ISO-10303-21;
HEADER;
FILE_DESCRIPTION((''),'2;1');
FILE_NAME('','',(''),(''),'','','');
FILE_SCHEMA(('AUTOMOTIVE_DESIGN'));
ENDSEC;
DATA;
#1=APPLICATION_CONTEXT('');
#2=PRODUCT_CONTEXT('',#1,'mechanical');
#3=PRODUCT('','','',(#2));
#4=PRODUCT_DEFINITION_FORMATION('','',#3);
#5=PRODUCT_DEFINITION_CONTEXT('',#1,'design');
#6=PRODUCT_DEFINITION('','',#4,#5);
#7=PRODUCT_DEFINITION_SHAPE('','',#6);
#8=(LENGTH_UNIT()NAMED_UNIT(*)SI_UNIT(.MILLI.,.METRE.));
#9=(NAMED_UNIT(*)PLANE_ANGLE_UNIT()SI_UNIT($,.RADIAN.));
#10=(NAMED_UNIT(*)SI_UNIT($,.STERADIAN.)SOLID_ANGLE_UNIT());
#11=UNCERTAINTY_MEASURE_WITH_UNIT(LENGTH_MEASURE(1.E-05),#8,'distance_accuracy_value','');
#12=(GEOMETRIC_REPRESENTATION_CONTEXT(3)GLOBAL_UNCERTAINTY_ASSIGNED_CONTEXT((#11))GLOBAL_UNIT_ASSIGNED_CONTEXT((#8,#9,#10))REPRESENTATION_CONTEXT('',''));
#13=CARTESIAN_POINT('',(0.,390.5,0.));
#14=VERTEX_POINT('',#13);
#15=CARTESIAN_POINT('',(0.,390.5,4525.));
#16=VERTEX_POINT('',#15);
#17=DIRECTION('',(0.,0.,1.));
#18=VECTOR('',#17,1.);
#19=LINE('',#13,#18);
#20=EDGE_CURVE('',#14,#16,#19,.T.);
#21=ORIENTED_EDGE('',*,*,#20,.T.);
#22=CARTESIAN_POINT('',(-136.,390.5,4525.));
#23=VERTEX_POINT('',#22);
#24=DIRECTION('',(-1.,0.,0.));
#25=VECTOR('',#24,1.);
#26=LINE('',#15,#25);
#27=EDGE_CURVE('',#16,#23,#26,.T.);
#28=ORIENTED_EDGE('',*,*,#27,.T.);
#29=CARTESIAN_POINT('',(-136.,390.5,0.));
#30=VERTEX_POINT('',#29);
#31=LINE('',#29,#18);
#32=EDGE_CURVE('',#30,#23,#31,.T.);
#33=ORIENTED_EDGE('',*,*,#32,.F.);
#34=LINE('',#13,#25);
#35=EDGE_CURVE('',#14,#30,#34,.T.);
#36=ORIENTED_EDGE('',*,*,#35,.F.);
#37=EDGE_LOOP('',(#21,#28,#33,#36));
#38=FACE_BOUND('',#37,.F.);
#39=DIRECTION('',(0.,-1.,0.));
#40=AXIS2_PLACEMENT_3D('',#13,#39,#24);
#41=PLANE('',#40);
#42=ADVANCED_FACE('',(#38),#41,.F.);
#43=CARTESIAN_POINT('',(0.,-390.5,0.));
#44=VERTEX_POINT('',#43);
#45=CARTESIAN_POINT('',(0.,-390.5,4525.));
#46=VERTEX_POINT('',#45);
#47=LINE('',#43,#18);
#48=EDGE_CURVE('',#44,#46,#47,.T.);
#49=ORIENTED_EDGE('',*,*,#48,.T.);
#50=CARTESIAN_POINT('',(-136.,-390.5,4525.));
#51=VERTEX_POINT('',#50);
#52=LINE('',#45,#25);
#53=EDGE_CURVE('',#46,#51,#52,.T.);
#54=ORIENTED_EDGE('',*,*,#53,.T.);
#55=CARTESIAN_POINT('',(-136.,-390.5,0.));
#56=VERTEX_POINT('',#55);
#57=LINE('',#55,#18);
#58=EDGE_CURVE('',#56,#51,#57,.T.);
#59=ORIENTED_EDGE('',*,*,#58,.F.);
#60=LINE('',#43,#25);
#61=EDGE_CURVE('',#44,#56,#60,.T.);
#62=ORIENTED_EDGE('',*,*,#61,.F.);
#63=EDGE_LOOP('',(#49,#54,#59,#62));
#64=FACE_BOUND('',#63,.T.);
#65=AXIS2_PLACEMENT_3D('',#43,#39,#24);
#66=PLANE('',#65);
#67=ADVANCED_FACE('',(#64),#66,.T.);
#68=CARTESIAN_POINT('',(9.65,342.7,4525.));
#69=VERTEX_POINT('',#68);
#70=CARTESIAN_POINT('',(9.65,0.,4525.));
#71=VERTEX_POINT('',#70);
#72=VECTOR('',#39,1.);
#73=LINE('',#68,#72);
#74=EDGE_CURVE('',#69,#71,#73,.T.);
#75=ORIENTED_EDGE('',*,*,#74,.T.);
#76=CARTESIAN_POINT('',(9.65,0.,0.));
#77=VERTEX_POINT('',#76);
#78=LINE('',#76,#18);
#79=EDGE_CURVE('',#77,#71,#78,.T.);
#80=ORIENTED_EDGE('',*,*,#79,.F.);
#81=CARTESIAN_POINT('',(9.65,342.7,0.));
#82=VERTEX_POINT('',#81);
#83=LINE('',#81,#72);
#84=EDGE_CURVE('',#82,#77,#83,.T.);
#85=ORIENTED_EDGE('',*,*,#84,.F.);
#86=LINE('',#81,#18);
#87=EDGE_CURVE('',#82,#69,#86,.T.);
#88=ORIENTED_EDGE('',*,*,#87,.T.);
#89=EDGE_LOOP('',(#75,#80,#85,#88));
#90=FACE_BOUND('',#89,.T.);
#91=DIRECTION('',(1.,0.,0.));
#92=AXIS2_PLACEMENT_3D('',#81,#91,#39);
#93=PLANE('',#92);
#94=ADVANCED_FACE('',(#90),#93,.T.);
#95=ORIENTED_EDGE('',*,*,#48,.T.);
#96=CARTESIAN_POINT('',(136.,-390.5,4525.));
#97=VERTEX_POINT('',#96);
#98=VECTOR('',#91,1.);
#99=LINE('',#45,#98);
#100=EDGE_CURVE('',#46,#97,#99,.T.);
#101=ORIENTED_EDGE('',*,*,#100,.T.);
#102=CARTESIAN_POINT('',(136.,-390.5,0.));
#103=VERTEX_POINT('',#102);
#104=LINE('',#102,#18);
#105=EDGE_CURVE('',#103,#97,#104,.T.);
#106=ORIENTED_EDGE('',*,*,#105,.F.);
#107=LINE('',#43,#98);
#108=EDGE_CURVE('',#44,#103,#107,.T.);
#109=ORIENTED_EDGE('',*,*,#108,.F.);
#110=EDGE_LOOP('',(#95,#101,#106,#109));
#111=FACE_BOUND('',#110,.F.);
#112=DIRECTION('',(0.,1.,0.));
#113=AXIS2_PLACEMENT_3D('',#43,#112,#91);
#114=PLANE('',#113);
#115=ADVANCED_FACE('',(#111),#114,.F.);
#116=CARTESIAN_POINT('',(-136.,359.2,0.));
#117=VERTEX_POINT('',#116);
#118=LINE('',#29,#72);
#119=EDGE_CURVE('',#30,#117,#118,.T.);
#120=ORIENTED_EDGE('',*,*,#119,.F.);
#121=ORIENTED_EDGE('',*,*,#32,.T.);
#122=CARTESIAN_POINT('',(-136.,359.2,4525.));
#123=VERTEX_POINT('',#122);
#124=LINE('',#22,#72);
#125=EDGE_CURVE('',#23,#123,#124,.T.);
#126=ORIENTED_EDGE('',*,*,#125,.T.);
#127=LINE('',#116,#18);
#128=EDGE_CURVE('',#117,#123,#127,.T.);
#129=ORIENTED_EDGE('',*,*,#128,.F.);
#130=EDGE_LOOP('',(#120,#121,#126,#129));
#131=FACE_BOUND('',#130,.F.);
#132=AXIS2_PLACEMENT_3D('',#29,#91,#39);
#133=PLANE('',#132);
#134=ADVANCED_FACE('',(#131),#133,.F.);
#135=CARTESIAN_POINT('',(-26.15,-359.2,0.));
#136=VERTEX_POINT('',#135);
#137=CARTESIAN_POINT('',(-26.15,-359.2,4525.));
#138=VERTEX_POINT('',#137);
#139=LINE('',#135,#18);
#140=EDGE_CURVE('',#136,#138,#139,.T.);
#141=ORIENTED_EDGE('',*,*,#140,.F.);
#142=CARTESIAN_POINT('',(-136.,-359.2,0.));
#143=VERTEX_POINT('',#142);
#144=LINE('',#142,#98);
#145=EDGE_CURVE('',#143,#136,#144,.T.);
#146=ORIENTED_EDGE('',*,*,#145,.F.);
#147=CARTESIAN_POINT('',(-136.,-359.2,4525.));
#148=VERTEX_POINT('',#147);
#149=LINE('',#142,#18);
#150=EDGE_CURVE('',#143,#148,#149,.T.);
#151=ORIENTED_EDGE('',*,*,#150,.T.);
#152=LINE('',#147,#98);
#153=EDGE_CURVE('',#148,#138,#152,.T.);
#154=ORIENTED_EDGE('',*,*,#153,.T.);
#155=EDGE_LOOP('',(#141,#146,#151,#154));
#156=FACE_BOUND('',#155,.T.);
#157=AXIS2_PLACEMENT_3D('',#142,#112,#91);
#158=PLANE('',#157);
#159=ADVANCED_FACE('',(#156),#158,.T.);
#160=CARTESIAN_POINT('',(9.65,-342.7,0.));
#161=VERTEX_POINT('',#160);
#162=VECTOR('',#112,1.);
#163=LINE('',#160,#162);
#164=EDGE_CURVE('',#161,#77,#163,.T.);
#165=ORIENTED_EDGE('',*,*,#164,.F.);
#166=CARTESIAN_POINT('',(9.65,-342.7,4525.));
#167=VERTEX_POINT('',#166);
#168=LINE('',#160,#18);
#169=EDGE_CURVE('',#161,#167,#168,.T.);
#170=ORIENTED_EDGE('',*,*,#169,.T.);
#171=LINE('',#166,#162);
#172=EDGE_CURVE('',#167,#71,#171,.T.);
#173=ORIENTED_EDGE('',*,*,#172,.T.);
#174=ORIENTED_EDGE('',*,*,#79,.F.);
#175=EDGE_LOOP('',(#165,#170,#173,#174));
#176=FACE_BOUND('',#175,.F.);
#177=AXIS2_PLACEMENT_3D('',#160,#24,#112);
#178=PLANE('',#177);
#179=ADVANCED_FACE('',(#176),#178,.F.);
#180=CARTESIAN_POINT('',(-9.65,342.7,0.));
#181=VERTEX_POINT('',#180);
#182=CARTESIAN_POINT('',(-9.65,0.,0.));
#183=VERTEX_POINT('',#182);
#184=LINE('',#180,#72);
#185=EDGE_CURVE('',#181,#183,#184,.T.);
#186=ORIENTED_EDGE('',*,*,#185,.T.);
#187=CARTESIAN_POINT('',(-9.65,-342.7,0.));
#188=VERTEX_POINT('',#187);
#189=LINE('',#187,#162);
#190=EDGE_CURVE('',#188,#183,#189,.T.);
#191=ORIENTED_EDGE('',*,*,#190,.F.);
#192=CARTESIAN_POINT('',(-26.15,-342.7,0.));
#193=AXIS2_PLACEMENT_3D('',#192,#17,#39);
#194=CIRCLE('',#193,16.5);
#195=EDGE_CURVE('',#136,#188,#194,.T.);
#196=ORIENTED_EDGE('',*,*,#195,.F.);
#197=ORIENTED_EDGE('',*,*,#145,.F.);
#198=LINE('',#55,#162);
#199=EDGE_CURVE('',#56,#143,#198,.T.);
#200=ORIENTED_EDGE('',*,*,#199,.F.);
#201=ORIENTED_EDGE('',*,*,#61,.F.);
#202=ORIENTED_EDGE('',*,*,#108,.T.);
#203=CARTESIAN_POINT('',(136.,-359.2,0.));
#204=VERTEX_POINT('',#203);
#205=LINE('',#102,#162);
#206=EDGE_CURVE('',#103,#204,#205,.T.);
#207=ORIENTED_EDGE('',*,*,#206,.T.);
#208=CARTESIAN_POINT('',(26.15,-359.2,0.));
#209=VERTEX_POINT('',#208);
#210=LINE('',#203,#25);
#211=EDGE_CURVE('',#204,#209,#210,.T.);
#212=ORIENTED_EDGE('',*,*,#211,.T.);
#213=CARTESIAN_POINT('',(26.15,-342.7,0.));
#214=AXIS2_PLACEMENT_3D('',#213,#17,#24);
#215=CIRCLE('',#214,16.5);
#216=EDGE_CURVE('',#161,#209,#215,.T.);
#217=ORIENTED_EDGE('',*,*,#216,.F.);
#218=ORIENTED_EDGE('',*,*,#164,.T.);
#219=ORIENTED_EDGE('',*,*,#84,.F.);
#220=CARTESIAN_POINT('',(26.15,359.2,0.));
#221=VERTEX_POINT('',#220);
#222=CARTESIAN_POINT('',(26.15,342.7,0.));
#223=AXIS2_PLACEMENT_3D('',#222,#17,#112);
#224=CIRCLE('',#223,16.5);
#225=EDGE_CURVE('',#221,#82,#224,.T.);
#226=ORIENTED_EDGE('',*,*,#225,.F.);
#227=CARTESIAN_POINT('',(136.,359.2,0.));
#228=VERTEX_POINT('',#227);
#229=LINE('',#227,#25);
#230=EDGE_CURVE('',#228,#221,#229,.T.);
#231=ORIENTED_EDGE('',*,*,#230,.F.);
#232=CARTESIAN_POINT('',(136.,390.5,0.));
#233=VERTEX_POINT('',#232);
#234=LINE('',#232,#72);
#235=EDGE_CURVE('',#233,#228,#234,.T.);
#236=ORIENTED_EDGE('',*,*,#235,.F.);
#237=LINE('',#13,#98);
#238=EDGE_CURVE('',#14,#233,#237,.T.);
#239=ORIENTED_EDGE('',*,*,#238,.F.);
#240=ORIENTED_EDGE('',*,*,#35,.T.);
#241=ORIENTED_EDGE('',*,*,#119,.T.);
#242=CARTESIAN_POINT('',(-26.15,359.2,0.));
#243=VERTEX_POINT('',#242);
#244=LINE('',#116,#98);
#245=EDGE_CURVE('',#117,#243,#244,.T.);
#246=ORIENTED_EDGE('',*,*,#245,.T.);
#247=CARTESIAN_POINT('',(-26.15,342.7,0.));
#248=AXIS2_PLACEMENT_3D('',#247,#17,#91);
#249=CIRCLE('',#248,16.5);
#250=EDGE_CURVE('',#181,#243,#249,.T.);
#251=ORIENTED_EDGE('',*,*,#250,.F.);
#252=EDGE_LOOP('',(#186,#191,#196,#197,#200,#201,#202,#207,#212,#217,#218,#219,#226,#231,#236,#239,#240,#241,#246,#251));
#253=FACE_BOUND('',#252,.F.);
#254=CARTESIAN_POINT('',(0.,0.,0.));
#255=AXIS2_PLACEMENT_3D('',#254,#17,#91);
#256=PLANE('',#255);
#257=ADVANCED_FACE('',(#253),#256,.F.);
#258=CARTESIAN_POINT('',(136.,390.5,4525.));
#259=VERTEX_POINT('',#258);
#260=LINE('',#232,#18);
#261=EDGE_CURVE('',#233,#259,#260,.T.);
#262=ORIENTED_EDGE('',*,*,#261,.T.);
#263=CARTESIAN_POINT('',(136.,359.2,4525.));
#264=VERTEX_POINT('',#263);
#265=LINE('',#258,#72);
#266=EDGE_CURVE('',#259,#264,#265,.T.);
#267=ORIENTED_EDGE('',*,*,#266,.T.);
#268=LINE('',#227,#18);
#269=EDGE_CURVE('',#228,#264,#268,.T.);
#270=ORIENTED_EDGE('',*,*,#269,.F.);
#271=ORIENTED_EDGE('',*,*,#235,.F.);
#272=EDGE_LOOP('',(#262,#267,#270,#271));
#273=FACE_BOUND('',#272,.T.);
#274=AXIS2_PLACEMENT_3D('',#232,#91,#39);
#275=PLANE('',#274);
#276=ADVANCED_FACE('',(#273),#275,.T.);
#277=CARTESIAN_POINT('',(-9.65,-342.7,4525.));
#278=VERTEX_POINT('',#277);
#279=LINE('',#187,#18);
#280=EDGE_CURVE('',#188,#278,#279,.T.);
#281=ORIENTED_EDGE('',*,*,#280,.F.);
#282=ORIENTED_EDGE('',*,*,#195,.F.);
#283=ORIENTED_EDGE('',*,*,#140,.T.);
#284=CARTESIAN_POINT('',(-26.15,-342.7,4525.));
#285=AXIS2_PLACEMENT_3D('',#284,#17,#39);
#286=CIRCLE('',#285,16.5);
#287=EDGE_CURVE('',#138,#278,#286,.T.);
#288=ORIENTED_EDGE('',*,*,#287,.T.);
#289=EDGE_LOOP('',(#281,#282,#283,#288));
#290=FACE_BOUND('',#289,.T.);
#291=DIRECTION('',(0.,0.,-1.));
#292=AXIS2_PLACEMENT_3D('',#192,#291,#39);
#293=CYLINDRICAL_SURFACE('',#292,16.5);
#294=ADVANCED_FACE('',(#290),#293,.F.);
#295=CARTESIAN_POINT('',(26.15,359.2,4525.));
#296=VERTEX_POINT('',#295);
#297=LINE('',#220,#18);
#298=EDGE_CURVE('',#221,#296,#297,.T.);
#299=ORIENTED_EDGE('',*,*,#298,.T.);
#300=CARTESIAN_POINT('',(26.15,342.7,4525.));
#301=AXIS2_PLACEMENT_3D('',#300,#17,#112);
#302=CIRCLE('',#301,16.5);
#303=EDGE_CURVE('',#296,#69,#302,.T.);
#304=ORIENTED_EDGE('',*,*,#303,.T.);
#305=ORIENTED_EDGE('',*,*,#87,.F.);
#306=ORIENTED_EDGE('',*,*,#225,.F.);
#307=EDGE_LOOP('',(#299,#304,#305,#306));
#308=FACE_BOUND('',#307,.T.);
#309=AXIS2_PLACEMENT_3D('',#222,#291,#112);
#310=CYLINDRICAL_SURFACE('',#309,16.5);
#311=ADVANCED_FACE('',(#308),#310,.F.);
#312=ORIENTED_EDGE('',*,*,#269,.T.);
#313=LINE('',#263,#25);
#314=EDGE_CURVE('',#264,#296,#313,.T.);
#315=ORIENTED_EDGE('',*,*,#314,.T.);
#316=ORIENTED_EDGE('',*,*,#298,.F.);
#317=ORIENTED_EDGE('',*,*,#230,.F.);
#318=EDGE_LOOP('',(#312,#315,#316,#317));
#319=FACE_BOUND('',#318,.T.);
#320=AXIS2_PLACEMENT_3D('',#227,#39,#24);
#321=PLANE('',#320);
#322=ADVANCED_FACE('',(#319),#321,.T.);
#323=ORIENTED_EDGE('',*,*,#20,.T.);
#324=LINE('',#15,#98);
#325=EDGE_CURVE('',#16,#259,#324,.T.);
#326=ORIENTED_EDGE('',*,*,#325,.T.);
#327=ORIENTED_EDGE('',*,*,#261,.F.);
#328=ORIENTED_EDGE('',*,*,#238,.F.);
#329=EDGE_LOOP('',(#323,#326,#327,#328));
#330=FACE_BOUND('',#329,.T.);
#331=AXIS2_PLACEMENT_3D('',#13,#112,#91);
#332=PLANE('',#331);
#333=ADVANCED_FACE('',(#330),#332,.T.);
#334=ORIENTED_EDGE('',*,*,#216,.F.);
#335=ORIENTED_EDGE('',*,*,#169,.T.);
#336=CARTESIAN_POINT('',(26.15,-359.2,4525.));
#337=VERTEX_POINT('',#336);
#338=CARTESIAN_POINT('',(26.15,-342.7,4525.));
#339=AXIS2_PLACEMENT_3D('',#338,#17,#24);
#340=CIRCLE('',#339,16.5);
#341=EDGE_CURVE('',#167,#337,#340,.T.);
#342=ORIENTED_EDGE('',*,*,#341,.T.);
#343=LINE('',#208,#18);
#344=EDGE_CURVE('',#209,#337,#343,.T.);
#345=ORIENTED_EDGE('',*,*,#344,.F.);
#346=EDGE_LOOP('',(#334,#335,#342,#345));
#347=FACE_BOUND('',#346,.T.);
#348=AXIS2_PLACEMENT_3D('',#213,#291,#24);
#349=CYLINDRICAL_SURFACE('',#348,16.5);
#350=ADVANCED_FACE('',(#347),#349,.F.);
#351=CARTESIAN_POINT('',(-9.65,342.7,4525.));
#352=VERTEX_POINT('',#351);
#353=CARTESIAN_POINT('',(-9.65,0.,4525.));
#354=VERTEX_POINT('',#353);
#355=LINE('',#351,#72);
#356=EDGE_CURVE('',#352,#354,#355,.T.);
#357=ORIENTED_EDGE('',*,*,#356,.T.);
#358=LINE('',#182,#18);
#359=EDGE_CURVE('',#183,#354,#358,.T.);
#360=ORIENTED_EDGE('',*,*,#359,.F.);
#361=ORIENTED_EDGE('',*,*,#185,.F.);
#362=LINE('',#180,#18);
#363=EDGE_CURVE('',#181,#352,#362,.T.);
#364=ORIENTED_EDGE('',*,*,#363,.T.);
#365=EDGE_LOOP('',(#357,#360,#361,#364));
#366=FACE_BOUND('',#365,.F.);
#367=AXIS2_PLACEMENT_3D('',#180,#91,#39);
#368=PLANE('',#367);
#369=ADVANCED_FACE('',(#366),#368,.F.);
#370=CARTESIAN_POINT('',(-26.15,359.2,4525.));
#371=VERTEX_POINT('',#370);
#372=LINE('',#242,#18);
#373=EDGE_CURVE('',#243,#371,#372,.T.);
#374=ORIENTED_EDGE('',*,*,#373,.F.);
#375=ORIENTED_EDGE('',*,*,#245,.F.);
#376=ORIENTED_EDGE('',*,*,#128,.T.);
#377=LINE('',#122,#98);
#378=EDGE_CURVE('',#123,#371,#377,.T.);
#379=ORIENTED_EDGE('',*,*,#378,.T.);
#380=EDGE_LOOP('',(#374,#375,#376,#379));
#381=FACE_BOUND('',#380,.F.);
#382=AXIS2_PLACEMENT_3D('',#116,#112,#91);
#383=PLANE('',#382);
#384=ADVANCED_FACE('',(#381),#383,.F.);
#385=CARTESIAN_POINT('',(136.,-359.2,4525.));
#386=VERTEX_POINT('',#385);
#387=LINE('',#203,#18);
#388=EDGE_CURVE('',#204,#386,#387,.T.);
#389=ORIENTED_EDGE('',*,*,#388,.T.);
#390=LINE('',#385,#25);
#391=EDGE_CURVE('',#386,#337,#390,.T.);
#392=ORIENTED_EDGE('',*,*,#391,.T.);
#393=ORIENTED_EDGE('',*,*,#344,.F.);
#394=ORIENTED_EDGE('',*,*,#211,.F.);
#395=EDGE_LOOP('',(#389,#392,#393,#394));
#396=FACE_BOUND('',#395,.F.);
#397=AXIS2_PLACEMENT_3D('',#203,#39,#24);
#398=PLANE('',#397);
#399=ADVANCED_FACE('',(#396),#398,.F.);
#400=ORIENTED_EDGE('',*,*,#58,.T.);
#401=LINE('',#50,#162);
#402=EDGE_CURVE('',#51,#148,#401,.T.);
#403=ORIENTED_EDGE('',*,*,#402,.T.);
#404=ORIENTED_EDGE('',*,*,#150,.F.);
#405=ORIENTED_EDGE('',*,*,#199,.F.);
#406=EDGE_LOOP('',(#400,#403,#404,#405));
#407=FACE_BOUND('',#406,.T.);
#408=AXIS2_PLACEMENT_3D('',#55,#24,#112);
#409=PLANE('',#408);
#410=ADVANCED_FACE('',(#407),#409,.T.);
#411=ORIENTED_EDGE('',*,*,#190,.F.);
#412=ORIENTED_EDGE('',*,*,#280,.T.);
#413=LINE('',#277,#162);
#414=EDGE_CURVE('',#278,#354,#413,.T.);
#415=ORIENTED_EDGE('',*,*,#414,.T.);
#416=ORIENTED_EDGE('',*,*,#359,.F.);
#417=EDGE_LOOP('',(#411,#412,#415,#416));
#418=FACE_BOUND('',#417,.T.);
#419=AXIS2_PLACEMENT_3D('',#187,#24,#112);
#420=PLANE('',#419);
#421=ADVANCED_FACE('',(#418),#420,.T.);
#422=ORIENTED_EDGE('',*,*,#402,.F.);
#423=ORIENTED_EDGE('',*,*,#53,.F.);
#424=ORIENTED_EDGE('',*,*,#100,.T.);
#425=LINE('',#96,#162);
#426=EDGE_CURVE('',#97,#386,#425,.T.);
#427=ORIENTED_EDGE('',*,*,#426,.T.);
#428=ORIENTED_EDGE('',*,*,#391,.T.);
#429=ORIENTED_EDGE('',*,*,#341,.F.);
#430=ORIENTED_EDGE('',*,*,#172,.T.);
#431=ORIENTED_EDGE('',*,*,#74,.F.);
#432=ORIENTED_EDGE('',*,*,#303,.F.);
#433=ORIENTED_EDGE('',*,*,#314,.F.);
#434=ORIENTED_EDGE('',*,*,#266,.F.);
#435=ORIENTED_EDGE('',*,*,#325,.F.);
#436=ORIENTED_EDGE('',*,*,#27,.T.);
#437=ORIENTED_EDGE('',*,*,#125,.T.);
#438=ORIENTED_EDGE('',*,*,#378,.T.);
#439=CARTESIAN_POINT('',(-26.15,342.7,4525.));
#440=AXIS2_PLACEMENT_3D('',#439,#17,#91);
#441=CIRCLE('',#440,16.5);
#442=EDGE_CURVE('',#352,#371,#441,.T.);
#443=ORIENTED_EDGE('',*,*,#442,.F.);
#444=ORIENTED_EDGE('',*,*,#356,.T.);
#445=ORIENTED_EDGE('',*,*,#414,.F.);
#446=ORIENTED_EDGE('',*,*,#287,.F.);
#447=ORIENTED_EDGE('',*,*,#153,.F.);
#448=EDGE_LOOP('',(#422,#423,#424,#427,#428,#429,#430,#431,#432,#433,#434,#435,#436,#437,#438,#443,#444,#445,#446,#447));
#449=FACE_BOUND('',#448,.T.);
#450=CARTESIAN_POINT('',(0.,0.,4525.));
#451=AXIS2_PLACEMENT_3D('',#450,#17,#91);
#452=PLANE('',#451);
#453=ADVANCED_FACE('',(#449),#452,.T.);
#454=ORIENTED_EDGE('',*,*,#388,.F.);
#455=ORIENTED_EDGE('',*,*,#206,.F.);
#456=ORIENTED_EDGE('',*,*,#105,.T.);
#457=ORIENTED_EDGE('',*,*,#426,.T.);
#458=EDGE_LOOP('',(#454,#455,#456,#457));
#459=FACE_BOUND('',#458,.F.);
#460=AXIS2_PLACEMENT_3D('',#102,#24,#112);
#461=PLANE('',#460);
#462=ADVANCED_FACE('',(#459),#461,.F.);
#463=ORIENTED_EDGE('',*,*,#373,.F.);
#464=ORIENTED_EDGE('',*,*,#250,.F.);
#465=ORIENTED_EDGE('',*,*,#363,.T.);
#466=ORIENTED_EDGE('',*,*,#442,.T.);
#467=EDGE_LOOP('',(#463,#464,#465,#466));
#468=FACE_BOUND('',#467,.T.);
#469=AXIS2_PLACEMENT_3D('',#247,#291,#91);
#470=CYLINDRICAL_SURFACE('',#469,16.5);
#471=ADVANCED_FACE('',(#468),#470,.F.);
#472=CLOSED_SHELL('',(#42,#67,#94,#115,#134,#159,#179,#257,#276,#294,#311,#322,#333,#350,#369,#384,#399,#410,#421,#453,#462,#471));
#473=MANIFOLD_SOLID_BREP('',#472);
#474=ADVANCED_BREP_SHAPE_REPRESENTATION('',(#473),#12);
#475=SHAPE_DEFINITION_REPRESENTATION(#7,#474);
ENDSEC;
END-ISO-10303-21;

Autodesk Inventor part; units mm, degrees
ref_plane "YZ Plane" through (0, 0, 0) normal (1, 0, 0) x (0, 1, 0)
ref_plane "Start plane" through (0, 0, 0) normal (0, 0, 1) x (1, 0, 0)
ref_plane "End plane" through (0, 0, 4525) normal (0, 0, 1) x (1, 0, 0)
sketch "Sketch" plane through (0, 0, 0) normal (0, 0, 1) x (1, 0, 0)
  line L0 (-136, -390.5) -> (-136, -359.2)
  line L1 (-136, -359.2) -> (-26.15, -359.2)
  line L2 (-9.65, -342.7) -> (-9.65, 0)
  line L3 (-9.65, 0) -> (0, 0) construction
  line L4 (0, 0) -> (0, -390.5) construction
  line L5 (0, -390.5) -> (-136, -390.5)
  line L6 (-60, 0) -> (80, 0) construction
  line L7 (0, -60) -> (0, 80) construction
  line L8 (136, -390.5) -> (136, -359.2)
  line L9 (136, -359.2) -> (26.15, -359.2)
  line L10 (9.65, -342.7) -> (9.65, 0)
  line L11 (9.65, 0) -> (0, 0) construction
  line L12 (0, -390.5) -> (136, -390.5)
  line L13 (-136, 390.5) -> (-136, 359.2)
  line L14 (-136, 359.2) -> (-26.15, 359.2)
  line L15 (-9.65, 342.7) -> (-9.65, 0)
  line L16 (0, 390.5) -> (-136, 390.5)
  line L17 (136, 390.5) -> (136, 359.2)
  line L18 (136, 359.2) -> (26.15, 359.2)
  line L19 (0, 390.5) -> (136, 390.5)
  line L20 (9.65, 342.7) -> (9.65, 0)
  arc A0 (-9.65, 342.7) -> (-26.15, 359.2) centre (-26.15, 342.7) ccw
  arc A1 (26.15, 359.2) -> (9.65, 342.7) centre (26.15, 342.7) ccw
  arc A2 (9.65, -342.7) -> (26.15, -359.2) centre (26.15, -342.7) ccw
  arc A3 (-26.15, -359.2) -> (-9.65, -342.7) centre (-26.15, -342.7) ccw
  line L21 (0, 108) -> (0, -88) construction
  line L22 (-88, 0) -> (108, 0) construction
  point P0 (-9.65, -359.2)
  point P1 (9.65, -359.2)
  point P2 (-9.65, 359.2)
  point P3 (9.65, 359.2)
  dimension "d1" = 390.5
  dimension "d2" = 31.3
  dimension "d3" = 136
  dimension "d4" = 9.65
  dimension "d10" = 16.5
extrude "Body" add sketch "Sketch" along normal up to surface (4525 mm away) from surface at 0
sketch "Sketch4" plane through (0, 0, 0) normal (0, 0, 1) x (1, 0, 0)
  line L0 (0, 0) -> (10, 0)
ref_plane "Work Plane3" through (0, 0, 0) normal (0, -1, 0) x (1, 0, 0)
sketch "Sketch5" plane through (0, 0, 0) normal (0, -1, 0) x (1, 0, 0)
  line L0 (-2, 0) -> (12, 0) projected
  line L1 (-2, 4525) -> (12, 4525) projected
  dimension "d14" = 4525
equation "\"d1\" = 0.5 * G_H"
equation "\"d2\" = G_T1"
equation "\"d3\" = 0.5 * G_W"
equation "\"d4\" = 0.5 * G_T"
equation "\"d10\" = G_IR"
equation "\"d5\" = G_L"
equation "\"G_W\" = 272"
equation "\"G_H\" = 781"
equation "\"G_T\" = 19.3"
equation "\"G_T1\" = 31.3"
equation "\"G_IR\" = 16.5"
equation "\"G_L\" = d14"
equation "\"G_OFFSET_START\" = 0"
equation "\"G_OFFSET_END\" = 0"
equation "\"d12\" = G_OFFSET_END + B_L"
equation "\"B_L\" = 4525"
properties part number "AS 3679-1990 - 760 UB - 244 - 4525" material "Steel, Mild"
